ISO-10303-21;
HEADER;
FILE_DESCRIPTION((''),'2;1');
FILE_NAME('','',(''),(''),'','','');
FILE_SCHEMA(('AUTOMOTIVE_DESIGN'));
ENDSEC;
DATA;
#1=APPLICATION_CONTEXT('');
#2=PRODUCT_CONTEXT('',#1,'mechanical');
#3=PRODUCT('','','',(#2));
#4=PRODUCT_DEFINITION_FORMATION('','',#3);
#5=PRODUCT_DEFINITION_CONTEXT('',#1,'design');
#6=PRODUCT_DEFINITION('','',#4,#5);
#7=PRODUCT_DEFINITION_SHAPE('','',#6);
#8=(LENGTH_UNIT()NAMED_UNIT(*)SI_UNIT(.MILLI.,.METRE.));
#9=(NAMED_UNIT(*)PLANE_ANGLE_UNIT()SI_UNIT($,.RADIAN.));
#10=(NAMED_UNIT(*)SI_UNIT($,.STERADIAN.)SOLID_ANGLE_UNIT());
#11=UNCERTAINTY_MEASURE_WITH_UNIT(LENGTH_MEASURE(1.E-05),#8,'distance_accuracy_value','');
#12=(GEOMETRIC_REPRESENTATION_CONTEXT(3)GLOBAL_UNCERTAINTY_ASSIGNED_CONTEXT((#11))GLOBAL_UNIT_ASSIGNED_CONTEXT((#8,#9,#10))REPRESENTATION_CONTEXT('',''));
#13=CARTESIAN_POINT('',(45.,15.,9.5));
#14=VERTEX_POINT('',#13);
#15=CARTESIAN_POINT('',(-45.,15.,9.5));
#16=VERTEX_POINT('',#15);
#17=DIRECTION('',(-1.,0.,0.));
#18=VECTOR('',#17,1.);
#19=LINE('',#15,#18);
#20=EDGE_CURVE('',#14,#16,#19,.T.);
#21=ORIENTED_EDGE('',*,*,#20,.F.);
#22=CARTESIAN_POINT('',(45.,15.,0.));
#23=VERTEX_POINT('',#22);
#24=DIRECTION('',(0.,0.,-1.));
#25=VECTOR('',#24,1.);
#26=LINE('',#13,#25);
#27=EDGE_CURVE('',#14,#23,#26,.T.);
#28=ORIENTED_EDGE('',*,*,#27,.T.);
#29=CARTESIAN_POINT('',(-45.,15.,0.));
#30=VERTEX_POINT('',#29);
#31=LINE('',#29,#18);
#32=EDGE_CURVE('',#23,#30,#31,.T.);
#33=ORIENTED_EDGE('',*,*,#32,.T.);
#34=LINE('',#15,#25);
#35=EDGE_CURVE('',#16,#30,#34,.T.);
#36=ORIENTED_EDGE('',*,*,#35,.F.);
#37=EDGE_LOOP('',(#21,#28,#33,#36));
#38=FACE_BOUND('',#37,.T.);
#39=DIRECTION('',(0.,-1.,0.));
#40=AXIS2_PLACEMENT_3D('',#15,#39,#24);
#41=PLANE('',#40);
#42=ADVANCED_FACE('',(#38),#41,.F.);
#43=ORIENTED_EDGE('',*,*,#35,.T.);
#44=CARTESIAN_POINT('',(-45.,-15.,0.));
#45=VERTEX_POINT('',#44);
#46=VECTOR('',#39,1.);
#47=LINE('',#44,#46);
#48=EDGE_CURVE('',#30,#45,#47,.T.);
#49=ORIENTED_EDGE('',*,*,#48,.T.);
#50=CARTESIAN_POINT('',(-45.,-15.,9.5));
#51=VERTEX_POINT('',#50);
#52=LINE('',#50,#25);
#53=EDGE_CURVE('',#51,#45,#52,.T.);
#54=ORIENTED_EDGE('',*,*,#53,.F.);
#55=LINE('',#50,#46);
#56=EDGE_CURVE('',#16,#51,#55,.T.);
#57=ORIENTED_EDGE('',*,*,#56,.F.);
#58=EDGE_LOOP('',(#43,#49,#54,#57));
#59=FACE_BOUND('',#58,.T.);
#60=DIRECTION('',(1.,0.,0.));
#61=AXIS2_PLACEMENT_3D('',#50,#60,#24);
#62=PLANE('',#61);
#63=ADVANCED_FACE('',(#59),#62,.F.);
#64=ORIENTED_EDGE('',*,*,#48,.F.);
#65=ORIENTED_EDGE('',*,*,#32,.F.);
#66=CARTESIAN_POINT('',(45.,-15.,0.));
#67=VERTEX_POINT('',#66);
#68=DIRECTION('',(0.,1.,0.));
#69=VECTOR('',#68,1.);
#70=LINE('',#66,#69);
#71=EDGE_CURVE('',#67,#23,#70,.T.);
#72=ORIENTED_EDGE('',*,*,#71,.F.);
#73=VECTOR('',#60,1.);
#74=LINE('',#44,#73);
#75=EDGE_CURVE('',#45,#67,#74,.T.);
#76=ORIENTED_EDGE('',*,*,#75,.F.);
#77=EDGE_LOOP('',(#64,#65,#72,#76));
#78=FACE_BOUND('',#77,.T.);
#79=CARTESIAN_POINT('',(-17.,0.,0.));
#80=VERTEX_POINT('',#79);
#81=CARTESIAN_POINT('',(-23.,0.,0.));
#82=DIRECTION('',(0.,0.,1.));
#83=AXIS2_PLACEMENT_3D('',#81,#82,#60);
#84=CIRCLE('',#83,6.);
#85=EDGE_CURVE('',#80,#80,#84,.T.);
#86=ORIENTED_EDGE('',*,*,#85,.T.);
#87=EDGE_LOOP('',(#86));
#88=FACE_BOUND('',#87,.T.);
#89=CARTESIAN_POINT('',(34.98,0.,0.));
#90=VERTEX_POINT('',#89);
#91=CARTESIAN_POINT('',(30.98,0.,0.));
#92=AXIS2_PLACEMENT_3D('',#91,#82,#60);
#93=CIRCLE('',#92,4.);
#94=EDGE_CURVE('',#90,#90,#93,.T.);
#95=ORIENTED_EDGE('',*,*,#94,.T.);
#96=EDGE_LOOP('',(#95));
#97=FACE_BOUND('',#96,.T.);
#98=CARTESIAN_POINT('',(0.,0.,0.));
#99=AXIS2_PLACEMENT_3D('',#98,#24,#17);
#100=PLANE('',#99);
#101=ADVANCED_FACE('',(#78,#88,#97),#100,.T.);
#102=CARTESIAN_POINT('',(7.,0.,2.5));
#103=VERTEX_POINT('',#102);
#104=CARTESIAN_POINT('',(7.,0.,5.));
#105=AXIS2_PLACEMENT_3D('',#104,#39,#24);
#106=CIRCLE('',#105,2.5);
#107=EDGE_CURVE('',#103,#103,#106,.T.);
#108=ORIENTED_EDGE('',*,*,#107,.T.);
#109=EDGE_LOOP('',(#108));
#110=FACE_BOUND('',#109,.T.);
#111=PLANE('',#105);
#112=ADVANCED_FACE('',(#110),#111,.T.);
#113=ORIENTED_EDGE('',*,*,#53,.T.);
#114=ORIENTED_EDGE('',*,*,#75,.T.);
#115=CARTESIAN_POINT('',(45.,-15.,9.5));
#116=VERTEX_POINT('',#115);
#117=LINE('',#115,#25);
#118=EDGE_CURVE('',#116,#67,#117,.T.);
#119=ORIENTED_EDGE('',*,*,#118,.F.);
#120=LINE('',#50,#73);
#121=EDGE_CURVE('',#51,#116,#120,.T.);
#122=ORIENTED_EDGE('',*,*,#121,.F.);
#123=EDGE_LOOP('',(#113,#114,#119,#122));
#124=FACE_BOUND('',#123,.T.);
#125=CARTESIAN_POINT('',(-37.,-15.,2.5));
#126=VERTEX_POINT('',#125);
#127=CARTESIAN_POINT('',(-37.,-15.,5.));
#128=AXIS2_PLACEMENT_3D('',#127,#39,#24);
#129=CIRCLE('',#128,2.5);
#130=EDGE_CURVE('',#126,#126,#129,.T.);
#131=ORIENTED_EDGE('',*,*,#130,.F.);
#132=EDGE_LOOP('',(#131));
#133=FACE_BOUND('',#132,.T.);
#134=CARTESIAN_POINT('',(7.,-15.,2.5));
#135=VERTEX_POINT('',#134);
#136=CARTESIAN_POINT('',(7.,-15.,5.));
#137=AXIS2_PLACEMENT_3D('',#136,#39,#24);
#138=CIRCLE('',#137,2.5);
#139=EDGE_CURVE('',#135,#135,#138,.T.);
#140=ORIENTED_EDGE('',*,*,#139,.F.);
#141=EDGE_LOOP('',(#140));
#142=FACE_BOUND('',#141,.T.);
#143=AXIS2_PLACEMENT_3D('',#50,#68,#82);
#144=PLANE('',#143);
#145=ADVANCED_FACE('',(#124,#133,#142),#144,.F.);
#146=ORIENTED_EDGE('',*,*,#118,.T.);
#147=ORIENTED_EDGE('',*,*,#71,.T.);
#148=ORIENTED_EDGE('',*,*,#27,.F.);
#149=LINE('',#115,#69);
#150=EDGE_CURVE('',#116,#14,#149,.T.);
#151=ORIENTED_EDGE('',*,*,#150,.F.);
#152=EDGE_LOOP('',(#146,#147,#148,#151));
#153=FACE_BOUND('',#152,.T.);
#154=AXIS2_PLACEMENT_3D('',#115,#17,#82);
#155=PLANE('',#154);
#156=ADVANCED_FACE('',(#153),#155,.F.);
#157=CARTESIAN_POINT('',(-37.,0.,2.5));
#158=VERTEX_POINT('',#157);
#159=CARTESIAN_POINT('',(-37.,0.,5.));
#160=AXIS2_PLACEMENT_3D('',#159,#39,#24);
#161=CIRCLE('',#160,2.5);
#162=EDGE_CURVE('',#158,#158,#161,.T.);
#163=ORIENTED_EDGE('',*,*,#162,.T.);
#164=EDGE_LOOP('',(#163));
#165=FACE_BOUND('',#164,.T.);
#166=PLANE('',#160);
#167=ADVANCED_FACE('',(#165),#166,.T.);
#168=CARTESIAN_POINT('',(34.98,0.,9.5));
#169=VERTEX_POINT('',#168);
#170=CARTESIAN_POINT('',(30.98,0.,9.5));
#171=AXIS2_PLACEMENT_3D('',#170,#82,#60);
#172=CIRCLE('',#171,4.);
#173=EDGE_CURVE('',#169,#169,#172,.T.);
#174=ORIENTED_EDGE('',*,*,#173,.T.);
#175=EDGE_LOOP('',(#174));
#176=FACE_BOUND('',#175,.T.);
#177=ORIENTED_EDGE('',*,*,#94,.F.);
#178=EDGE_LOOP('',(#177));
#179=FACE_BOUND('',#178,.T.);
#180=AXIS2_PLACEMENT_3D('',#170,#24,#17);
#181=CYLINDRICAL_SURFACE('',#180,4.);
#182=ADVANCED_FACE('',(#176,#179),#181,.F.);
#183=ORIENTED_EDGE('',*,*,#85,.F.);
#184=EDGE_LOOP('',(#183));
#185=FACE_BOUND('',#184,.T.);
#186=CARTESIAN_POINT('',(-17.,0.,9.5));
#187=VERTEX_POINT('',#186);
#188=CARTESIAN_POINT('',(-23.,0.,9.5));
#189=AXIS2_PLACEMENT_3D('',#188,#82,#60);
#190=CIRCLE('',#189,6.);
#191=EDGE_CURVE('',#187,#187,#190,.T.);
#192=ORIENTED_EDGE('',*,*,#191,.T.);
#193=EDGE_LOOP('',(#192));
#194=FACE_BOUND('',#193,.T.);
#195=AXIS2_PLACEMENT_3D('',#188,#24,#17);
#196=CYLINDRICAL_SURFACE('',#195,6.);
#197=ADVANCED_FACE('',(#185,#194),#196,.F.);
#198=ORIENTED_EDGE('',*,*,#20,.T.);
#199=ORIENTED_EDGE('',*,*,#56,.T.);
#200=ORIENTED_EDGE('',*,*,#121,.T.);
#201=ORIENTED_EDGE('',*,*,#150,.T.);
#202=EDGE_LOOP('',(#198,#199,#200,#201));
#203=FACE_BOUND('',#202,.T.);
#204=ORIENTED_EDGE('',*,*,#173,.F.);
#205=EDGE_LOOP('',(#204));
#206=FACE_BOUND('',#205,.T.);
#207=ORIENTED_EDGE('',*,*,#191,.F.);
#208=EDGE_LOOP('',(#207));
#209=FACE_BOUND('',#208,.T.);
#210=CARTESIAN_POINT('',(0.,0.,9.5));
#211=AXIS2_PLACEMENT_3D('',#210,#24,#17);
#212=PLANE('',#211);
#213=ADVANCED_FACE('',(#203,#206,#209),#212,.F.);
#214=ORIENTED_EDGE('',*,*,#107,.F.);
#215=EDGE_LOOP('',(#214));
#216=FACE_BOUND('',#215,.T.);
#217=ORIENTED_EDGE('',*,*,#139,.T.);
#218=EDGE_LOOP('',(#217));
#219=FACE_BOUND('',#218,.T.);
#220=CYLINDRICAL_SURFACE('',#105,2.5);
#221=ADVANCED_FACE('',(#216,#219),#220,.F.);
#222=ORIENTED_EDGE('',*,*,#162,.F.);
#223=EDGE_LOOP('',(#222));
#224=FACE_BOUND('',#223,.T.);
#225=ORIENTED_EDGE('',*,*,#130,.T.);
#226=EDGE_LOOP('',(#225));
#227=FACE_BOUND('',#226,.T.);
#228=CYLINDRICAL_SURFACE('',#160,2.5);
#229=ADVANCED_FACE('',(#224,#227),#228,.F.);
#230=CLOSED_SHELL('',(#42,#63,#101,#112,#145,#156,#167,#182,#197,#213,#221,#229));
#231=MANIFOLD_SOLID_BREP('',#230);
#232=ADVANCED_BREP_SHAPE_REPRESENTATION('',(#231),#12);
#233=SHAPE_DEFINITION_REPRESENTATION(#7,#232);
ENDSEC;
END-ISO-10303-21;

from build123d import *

# Parameters (mm, degrees)
SKETCH1_W           = 90
SKETCH1_H           = 30
SKETCH1_R           = 6
SKETCH1_R_2         = 4
BOSS_EXTRUDE1_DEPTH = 9.5
SKETCH2_R           = 2.5
CUT_EXTRUDE1_DEPTH  = 15


with BuildPart() as part:
    # Sketch1 → Boss-Extrude1 (new body)
    with BuildSketch(Plane.XY):
        Rectangle(SKETCH1_W, SKETCH1_H)
        with Locations((-23, 0)):
            Circle(SKETCH1_R, mode=Mode.SUBTRACT)
        with Locations((30.98, 0)):
            Circle(SKETCH1_R_2, mode=Mode.SUBTRACT)
    extrude(amount=BOSS_EXTRUDE1_DEPTH)

    # Sketch2 → Cut-Extrude1 (cut)
    with BuildSketch(Plane.XZ.offset(15)):
        with Locations(Location((7, 5, 0), (0, 0, 270))):
            Circle(SKETCH2_R)
        with Locations(Location((-37, 5, 0), (0, 0, 270))):
            Circle(SKETCH2_R)
    extrude(amount=-CUT_EXTRUDE1_DEPTH, mode=Mode.SUBTRACT)


solid = part.part
